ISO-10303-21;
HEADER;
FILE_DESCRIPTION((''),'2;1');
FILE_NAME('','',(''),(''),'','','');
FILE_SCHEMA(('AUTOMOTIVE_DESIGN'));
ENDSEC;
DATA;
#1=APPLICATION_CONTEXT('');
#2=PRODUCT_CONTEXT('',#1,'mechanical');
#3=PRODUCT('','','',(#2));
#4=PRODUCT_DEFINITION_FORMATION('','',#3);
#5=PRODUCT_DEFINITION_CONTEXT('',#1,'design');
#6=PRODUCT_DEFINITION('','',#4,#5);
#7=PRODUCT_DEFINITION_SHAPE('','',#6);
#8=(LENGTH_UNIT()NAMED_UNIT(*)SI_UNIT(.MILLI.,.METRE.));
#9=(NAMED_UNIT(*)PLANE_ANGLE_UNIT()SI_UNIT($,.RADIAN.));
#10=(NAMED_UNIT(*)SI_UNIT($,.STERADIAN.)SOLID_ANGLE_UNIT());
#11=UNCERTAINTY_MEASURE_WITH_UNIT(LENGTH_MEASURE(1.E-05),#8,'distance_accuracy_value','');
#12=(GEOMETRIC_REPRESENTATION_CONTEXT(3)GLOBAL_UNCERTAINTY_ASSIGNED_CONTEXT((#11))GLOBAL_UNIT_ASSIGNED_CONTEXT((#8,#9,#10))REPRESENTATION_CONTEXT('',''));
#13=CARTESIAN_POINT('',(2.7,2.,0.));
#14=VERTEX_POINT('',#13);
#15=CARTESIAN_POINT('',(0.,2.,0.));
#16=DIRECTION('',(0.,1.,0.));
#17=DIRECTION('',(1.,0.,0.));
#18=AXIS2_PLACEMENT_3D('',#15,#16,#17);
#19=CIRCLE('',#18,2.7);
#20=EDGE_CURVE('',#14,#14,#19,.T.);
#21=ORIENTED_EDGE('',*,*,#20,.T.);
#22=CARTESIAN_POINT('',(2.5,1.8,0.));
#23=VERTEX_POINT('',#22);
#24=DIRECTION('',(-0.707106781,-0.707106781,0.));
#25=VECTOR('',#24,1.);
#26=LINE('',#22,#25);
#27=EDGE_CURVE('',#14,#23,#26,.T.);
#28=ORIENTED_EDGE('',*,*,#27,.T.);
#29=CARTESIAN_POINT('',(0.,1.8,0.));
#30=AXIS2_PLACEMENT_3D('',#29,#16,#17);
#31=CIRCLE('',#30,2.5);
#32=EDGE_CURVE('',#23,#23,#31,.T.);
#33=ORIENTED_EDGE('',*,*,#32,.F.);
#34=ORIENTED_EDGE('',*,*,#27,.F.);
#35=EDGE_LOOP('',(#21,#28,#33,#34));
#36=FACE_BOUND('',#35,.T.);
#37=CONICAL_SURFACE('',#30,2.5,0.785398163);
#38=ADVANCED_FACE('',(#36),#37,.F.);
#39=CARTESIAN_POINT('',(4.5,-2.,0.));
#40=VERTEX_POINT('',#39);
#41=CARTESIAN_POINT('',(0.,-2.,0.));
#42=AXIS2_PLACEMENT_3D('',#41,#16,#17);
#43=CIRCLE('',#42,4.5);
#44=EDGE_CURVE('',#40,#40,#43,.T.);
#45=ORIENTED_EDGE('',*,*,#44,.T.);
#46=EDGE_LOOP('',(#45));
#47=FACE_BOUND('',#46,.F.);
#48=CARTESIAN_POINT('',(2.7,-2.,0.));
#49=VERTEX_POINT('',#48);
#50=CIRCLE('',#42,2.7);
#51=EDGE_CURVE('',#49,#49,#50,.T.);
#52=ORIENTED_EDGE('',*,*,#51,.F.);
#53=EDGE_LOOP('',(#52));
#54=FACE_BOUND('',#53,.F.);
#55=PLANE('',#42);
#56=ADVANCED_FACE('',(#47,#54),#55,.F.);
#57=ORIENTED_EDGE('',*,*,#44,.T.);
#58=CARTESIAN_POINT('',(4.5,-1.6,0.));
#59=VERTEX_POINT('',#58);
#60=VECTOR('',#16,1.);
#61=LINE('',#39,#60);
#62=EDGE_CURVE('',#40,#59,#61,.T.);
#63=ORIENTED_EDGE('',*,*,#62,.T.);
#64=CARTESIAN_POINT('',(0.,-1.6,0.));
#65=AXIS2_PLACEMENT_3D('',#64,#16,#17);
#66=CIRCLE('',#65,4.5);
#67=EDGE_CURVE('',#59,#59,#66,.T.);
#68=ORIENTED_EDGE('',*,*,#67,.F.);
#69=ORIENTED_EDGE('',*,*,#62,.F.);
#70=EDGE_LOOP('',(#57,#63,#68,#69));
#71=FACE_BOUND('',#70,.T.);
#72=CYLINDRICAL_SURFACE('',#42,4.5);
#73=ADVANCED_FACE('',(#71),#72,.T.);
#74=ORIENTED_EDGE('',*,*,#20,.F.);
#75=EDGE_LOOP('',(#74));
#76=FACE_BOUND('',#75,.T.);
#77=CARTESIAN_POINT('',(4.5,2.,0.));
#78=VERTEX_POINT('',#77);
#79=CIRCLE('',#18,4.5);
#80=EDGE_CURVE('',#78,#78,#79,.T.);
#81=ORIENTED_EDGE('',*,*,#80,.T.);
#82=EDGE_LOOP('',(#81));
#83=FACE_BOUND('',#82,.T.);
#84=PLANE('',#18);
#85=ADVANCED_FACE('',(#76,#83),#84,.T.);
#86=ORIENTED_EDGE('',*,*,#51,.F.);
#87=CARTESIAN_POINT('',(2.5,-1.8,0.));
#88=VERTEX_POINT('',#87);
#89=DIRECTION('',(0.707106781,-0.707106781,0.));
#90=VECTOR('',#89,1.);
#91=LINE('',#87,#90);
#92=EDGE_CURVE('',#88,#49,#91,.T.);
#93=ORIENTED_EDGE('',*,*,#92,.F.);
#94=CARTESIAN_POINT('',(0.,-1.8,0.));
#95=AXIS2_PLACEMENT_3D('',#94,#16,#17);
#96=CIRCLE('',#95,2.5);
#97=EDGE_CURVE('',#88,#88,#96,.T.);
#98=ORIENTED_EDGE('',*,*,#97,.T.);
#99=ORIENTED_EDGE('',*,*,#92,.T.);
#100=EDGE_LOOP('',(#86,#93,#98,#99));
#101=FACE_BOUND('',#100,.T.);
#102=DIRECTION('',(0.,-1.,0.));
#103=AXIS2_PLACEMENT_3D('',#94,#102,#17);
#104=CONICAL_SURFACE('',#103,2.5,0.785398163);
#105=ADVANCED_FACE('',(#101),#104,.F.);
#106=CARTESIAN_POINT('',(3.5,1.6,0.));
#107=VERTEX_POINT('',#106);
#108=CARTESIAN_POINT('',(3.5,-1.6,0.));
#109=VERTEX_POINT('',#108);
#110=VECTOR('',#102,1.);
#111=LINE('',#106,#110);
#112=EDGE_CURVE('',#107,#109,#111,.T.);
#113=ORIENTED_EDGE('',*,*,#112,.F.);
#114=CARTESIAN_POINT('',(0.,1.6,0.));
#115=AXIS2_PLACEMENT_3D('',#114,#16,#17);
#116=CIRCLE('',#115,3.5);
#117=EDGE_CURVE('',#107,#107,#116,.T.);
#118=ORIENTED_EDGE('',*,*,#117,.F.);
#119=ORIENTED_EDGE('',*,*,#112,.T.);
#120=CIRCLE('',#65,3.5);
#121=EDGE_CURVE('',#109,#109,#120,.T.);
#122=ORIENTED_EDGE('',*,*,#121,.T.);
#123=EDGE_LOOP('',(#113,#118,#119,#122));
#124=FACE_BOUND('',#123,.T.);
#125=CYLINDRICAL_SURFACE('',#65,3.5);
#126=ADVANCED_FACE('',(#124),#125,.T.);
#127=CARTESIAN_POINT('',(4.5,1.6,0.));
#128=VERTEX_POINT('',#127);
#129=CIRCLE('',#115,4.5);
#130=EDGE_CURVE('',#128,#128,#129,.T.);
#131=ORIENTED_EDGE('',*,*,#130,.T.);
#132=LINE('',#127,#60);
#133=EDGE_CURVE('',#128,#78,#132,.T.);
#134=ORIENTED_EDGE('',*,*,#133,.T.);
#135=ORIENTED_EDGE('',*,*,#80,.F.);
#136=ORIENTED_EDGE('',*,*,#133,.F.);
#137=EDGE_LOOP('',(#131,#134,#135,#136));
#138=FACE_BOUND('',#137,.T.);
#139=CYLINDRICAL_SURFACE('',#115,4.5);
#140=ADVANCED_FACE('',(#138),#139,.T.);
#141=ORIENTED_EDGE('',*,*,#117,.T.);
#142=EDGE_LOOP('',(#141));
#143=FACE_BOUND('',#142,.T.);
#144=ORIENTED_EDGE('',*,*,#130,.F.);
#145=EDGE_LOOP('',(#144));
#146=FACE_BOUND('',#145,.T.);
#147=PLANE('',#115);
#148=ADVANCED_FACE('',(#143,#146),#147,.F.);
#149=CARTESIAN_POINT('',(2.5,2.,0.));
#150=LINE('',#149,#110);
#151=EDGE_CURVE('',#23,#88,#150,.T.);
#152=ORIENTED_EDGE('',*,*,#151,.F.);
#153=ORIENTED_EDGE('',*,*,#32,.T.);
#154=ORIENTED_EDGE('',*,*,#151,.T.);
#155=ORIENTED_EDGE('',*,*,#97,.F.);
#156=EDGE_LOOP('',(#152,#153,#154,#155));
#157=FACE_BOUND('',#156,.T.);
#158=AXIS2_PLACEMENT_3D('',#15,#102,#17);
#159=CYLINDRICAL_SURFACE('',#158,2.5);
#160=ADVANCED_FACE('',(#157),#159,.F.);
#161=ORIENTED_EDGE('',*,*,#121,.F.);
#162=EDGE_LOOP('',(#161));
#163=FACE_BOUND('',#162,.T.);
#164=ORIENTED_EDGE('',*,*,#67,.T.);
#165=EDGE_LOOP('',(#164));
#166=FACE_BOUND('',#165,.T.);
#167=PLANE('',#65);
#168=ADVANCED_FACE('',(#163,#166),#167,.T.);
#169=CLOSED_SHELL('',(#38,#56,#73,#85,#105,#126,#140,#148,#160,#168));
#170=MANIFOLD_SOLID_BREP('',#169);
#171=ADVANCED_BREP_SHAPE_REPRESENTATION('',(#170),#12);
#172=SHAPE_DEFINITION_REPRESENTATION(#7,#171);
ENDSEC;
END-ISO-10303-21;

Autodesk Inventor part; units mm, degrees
ref_plane "YZ Plane" through (0, 0, 0) normal (1, 0, 0) x (0, 1, 0)
ref_plane "XZ Plane" through (0, 0, 0) normal (0, 1, 0) x (-1, 0, 0)
ref_plane "XY Plane" through (0, 0, 0) normal (0, 0, 1) x (1, 0, 0)
sketch "Skizze1" plane through (0, 0, 0) normal (0, 0, 1) x (1, 0, 0)
  line L0 (0, -2) -> (0, 2)
  line L1 (2.5, 2) -> (2.5, -2)
  line L2 (4.5, -2) -> (4.5, -1.6)
  line L3 (4.5, -1.6) -> (3.5, -1.6)
  line L4 (3.5, -1.6) -> (3.5, 1.6)
  line L5 (3.5, 1.6) -> (4.5, 1.6)
  line L6 (4.5, 1.6) -> (4.5, 2)
  line L7 (-0.9, 0) -> (5.4, 0) projected
  line L8 (4.5, -2) -> (2.5, -2)
  line L9 (4.5, 2) -> (2.5, 2)
  point P0 (0, 0)
  point P1 (0, 0)
  dimension "d0" = 5
  dimension "d3" = 7
  dimension "d4" = 1
  dimension "d6" = 4
  dimension "d8" = 3.2
revolve "Umdrehung1" add sketch "Skizze1" angle 360 about axis through (0, -2, 0) along (0, 1, 0)
chamfer "Fase2" distance 0.2 angle 45 2 edges at (-2.5, 2, 0) (-2.5, -2, 0)
properties part number "Rolle" material "Aluminium 6061"
